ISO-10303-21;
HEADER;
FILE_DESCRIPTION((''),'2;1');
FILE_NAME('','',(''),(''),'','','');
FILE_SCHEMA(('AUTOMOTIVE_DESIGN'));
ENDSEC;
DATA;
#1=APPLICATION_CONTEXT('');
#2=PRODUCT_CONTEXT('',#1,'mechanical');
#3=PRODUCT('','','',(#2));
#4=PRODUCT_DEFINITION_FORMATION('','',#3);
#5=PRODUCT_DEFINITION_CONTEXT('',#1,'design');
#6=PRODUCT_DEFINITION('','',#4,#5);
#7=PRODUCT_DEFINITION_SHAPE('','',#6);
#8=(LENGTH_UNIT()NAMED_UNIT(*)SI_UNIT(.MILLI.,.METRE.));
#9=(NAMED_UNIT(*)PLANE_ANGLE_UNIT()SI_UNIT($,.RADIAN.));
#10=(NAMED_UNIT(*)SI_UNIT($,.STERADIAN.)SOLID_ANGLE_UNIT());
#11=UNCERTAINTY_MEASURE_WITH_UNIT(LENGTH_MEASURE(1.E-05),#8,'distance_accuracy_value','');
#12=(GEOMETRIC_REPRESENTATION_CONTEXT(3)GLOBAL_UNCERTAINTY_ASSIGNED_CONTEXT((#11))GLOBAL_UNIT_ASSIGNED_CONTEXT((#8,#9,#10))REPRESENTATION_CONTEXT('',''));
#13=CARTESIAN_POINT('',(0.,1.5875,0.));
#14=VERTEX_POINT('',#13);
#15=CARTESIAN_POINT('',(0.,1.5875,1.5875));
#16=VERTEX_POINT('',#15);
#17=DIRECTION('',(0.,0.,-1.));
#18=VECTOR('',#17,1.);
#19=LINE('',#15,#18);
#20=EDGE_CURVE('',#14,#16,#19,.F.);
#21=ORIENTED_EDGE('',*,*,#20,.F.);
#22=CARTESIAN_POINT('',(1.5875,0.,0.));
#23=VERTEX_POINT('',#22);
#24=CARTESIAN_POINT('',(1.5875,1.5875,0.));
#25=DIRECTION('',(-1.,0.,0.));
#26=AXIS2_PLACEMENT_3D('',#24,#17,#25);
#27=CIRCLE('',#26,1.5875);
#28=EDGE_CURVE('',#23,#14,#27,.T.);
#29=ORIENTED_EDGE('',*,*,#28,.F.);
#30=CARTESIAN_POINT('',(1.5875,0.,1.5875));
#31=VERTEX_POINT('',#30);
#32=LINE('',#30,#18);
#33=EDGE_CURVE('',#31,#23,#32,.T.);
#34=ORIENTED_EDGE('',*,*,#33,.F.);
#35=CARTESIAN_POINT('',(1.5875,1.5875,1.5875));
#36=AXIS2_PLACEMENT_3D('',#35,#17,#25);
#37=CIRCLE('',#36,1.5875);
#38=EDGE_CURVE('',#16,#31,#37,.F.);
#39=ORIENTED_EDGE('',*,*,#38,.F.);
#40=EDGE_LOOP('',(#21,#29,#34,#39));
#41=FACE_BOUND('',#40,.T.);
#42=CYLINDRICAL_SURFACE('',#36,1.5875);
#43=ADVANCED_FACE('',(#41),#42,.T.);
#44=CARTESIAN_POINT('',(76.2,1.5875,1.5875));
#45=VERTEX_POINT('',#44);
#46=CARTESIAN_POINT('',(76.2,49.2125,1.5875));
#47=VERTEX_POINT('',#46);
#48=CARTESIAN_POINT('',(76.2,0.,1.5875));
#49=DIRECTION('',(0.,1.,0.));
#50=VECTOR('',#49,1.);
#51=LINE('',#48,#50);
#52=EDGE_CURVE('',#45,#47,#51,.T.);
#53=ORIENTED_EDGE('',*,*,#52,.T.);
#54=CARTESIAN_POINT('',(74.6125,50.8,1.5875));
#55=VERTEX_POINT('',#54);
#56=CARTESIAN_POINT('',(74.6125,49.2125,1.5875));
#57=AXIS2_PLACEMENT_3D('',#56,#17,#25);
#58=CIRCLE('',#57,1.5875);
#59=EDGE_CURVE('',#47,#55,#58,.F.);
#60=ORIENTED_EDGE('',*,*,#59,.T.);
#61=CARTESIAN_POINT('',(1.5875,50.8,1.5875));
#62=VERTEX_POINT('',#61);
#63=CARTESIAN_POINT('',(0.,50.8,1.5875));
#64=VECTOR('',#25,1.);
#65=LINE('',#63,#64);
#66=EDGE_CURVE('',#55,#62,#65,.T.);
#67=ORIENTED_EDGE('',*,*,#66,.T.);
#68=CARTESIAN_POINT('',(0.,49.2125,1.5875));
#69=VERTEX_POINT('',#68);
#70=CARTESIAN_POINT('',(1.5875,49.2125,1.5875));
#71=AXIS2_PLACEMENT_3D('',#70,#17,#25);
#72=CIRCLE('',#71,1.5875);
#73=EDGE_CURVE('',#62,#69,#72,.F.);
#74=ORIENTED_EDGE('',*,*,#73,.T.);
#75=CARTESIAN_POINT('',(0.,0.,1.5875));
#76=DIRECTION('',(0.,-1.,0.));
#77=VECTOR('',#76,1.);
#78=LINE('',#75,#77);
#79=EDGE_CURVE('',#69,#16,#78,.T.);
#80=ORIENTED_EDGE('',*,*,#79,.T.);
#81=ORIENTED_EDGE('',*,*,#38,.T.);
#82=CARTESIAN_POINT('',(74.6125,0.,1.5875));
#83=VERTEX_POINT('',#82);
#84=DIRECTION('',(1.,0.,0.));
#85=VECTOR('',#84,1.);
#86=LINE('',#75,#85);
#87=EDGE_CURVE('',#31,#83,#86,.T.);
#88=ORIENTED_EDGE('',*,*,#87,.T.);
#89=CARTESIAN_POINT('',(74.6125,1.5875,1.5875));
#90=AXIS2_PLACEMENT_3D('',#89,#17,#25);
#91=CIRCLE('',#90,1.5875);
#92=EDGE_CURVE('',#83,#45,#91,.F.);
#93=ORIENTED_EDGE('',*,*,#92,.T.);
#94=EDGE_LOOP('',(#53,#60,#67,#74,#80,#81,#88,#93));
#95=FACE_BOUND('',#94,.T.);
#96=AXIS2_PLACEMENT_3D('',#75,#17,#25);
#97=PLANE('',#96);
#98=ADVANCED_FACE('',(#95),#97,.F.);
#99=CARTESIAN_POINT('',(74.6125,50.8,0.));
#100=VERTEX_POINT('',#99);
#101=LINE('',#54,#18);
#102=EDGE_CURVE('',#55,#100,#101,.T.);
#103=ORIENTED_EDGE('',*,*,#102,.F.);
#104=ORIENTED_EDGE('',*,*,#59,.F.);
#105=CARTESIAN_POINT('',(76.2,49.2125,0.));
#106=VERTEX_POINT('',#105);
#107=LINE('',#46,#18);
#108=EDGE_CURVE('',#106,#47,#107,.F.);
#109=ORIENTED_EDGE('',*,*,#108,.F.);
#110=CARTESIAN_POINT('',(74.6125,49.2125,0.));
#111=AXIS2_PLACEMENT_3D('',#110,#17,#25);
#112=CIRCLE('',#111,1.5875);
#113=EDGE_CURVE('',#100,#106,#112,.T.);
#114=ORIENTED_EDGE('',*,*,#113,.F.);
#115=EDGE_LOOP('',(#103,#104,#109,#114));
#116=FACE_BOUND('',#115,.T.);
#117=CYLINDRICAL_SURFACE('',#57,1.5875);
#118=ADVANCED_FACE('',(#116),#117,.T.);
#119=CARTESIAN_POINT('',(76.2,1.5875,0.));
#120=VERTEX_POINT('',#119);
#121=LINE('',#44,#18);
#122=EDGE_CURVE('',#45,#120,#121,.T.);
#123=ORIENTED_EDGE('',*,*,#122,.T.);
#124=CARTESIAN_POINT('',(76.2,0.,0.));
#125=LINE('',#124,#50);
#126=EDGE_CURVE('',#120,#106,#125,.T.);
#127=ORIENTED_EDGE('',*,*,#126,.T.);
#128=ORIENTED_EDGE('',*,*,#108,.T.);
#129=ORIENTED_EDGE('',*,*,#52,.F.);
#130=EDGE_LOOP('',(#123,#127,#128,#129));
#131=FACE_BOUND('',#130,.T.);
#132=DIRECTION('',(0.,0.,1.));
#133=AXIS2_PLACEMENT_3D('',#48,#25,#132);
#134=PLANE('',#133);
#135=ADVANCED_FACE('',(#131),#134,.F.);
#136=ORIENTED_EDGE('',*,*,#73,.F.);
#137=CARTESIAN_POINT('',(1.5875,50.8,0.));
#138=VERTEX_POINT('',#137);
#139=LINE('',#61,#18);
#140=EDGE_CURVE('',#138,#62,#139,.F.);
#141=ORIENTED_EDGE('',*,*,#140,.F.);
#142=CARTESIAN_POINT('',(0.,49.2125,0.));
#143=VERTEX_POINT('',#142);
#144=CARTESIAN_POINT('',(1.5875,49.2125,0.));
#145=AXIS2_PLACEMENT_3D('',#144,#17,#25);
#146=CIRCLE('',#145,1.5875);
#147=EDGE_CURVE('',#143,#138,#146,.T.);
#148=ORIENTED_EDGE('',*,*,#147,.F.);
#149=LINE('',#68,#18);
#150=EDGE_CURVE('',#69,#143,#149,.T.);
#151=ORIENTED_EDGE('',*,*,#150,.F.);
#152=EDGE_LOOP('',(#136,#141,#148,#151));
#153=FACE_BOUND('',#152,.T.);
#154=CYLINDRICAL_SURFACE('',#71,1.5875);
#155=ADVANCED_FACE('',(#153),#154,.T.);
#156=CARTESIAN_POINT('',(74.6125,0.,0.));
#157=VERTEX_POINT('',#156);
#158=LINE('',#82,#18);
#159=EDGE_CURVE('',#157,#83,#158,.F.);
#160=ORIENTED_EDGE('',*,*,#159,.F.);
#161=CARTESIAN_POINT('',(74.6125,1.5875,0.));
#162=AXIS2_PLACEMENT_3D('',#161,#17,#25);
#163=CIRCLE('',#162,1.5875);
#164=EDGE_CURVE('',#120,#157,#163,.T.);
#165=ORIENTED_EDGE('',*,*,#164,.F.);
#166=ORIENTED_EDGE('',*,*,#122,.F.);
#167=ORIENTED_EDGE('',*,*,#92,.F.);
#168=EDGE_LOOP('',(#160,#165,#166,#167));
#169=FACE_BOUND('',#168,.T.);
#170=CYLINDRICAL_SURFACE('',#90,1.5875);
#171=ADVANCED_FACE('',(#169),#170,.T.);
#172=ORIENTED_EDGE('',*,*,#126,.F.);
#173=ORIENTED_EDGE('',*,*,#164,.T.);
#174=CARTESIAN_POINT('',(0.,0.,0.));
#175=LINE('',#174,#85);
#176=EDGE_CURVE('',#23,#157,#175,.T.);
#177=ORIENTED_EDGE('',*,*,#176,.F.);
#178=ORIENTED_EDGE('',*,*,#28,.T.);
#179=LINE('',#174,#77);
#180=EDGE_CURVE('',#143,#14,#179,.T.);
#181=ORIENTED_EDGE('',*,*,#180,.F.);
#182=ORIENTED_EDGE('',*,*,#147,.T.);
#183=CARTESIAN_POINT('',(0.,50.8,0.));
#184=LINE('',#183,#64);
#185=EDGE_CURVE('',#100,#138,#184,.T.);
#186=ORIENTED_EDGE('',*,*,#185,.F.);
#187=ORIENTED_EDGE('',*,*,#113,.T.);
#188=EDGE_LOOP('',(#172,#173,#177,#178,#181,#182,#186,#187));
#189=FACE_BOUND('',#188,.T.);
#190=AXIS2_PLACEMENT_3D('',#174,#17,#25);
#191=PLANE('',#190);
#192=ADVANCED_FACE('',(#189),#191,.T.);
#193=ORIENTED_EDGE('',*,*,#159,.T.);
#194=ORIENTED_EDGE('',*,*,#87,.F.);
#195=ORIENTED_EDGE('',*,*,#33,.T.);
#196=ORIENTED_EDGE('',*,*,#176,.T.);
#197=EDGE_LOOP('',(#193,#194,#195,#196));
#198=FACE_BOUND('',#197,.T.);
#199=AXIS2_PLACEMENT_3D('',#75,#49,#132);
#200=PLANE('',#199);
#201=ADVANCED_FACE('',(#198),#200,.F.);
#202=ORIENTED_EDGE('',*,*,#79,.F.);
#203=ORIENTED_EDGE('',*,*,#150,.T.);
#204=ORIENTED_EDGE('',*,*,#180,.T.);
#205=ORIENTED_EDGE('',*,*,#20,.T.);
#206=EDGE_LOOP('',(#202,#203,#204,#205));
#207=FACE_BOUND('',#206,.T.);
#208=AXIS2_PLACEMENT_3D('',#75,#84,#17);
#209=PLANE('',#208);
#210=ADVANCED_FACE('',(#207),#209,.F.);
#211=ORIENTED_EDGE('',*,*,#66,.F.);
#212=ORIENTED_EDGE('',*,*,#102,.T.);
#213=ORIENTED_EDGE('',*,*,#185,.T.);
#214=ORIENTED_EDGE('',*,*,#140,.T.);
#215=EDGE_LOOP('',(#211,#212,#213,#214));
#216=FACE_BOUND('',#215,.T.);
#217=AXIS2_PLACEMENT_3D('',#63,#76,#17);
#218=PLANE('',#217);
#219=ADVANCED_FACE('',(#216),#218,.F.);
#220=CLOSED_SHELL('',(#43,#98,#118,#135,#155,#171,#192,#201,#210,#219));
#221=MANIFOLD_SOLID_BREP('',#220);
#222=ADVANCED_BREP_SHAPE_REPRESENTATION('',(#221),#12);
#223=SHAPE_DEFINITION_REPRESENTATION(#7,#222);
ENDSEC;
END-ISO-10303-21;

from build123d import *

# Parameters (mm, degrees)
SKETCH1_W           = 76.2
SKETCH1_H           = 50.8
BOSS_EXTRUDE1_DEPTH = 1.5875
FILLET1_R           = 1.5875


with BuildPart() as part:
    # Sketch1 → Boss-Extrude1 (new body)
    with BuildSketch(Plane.XY):
        with Locations((38.1, 25.4)):
            Rectangle(SKETCH1_W, SKETCH1_H)
    extrude(amount=BOSS_EXTRUDE1_DEPTH)

    # Fillet1
    fillet1_edges = [part.edges().sort_by_distance(p)[0] for p in [
        (0, 50.8, 0.79375),
        (76.2, 50.8, 0.79375),
        (76.2, 0, 0.79375),
        (0, 0, 0.79375),
    ]]
    fillet(fillet1_edges, radius=FILLET1_R)


solid = part.part
